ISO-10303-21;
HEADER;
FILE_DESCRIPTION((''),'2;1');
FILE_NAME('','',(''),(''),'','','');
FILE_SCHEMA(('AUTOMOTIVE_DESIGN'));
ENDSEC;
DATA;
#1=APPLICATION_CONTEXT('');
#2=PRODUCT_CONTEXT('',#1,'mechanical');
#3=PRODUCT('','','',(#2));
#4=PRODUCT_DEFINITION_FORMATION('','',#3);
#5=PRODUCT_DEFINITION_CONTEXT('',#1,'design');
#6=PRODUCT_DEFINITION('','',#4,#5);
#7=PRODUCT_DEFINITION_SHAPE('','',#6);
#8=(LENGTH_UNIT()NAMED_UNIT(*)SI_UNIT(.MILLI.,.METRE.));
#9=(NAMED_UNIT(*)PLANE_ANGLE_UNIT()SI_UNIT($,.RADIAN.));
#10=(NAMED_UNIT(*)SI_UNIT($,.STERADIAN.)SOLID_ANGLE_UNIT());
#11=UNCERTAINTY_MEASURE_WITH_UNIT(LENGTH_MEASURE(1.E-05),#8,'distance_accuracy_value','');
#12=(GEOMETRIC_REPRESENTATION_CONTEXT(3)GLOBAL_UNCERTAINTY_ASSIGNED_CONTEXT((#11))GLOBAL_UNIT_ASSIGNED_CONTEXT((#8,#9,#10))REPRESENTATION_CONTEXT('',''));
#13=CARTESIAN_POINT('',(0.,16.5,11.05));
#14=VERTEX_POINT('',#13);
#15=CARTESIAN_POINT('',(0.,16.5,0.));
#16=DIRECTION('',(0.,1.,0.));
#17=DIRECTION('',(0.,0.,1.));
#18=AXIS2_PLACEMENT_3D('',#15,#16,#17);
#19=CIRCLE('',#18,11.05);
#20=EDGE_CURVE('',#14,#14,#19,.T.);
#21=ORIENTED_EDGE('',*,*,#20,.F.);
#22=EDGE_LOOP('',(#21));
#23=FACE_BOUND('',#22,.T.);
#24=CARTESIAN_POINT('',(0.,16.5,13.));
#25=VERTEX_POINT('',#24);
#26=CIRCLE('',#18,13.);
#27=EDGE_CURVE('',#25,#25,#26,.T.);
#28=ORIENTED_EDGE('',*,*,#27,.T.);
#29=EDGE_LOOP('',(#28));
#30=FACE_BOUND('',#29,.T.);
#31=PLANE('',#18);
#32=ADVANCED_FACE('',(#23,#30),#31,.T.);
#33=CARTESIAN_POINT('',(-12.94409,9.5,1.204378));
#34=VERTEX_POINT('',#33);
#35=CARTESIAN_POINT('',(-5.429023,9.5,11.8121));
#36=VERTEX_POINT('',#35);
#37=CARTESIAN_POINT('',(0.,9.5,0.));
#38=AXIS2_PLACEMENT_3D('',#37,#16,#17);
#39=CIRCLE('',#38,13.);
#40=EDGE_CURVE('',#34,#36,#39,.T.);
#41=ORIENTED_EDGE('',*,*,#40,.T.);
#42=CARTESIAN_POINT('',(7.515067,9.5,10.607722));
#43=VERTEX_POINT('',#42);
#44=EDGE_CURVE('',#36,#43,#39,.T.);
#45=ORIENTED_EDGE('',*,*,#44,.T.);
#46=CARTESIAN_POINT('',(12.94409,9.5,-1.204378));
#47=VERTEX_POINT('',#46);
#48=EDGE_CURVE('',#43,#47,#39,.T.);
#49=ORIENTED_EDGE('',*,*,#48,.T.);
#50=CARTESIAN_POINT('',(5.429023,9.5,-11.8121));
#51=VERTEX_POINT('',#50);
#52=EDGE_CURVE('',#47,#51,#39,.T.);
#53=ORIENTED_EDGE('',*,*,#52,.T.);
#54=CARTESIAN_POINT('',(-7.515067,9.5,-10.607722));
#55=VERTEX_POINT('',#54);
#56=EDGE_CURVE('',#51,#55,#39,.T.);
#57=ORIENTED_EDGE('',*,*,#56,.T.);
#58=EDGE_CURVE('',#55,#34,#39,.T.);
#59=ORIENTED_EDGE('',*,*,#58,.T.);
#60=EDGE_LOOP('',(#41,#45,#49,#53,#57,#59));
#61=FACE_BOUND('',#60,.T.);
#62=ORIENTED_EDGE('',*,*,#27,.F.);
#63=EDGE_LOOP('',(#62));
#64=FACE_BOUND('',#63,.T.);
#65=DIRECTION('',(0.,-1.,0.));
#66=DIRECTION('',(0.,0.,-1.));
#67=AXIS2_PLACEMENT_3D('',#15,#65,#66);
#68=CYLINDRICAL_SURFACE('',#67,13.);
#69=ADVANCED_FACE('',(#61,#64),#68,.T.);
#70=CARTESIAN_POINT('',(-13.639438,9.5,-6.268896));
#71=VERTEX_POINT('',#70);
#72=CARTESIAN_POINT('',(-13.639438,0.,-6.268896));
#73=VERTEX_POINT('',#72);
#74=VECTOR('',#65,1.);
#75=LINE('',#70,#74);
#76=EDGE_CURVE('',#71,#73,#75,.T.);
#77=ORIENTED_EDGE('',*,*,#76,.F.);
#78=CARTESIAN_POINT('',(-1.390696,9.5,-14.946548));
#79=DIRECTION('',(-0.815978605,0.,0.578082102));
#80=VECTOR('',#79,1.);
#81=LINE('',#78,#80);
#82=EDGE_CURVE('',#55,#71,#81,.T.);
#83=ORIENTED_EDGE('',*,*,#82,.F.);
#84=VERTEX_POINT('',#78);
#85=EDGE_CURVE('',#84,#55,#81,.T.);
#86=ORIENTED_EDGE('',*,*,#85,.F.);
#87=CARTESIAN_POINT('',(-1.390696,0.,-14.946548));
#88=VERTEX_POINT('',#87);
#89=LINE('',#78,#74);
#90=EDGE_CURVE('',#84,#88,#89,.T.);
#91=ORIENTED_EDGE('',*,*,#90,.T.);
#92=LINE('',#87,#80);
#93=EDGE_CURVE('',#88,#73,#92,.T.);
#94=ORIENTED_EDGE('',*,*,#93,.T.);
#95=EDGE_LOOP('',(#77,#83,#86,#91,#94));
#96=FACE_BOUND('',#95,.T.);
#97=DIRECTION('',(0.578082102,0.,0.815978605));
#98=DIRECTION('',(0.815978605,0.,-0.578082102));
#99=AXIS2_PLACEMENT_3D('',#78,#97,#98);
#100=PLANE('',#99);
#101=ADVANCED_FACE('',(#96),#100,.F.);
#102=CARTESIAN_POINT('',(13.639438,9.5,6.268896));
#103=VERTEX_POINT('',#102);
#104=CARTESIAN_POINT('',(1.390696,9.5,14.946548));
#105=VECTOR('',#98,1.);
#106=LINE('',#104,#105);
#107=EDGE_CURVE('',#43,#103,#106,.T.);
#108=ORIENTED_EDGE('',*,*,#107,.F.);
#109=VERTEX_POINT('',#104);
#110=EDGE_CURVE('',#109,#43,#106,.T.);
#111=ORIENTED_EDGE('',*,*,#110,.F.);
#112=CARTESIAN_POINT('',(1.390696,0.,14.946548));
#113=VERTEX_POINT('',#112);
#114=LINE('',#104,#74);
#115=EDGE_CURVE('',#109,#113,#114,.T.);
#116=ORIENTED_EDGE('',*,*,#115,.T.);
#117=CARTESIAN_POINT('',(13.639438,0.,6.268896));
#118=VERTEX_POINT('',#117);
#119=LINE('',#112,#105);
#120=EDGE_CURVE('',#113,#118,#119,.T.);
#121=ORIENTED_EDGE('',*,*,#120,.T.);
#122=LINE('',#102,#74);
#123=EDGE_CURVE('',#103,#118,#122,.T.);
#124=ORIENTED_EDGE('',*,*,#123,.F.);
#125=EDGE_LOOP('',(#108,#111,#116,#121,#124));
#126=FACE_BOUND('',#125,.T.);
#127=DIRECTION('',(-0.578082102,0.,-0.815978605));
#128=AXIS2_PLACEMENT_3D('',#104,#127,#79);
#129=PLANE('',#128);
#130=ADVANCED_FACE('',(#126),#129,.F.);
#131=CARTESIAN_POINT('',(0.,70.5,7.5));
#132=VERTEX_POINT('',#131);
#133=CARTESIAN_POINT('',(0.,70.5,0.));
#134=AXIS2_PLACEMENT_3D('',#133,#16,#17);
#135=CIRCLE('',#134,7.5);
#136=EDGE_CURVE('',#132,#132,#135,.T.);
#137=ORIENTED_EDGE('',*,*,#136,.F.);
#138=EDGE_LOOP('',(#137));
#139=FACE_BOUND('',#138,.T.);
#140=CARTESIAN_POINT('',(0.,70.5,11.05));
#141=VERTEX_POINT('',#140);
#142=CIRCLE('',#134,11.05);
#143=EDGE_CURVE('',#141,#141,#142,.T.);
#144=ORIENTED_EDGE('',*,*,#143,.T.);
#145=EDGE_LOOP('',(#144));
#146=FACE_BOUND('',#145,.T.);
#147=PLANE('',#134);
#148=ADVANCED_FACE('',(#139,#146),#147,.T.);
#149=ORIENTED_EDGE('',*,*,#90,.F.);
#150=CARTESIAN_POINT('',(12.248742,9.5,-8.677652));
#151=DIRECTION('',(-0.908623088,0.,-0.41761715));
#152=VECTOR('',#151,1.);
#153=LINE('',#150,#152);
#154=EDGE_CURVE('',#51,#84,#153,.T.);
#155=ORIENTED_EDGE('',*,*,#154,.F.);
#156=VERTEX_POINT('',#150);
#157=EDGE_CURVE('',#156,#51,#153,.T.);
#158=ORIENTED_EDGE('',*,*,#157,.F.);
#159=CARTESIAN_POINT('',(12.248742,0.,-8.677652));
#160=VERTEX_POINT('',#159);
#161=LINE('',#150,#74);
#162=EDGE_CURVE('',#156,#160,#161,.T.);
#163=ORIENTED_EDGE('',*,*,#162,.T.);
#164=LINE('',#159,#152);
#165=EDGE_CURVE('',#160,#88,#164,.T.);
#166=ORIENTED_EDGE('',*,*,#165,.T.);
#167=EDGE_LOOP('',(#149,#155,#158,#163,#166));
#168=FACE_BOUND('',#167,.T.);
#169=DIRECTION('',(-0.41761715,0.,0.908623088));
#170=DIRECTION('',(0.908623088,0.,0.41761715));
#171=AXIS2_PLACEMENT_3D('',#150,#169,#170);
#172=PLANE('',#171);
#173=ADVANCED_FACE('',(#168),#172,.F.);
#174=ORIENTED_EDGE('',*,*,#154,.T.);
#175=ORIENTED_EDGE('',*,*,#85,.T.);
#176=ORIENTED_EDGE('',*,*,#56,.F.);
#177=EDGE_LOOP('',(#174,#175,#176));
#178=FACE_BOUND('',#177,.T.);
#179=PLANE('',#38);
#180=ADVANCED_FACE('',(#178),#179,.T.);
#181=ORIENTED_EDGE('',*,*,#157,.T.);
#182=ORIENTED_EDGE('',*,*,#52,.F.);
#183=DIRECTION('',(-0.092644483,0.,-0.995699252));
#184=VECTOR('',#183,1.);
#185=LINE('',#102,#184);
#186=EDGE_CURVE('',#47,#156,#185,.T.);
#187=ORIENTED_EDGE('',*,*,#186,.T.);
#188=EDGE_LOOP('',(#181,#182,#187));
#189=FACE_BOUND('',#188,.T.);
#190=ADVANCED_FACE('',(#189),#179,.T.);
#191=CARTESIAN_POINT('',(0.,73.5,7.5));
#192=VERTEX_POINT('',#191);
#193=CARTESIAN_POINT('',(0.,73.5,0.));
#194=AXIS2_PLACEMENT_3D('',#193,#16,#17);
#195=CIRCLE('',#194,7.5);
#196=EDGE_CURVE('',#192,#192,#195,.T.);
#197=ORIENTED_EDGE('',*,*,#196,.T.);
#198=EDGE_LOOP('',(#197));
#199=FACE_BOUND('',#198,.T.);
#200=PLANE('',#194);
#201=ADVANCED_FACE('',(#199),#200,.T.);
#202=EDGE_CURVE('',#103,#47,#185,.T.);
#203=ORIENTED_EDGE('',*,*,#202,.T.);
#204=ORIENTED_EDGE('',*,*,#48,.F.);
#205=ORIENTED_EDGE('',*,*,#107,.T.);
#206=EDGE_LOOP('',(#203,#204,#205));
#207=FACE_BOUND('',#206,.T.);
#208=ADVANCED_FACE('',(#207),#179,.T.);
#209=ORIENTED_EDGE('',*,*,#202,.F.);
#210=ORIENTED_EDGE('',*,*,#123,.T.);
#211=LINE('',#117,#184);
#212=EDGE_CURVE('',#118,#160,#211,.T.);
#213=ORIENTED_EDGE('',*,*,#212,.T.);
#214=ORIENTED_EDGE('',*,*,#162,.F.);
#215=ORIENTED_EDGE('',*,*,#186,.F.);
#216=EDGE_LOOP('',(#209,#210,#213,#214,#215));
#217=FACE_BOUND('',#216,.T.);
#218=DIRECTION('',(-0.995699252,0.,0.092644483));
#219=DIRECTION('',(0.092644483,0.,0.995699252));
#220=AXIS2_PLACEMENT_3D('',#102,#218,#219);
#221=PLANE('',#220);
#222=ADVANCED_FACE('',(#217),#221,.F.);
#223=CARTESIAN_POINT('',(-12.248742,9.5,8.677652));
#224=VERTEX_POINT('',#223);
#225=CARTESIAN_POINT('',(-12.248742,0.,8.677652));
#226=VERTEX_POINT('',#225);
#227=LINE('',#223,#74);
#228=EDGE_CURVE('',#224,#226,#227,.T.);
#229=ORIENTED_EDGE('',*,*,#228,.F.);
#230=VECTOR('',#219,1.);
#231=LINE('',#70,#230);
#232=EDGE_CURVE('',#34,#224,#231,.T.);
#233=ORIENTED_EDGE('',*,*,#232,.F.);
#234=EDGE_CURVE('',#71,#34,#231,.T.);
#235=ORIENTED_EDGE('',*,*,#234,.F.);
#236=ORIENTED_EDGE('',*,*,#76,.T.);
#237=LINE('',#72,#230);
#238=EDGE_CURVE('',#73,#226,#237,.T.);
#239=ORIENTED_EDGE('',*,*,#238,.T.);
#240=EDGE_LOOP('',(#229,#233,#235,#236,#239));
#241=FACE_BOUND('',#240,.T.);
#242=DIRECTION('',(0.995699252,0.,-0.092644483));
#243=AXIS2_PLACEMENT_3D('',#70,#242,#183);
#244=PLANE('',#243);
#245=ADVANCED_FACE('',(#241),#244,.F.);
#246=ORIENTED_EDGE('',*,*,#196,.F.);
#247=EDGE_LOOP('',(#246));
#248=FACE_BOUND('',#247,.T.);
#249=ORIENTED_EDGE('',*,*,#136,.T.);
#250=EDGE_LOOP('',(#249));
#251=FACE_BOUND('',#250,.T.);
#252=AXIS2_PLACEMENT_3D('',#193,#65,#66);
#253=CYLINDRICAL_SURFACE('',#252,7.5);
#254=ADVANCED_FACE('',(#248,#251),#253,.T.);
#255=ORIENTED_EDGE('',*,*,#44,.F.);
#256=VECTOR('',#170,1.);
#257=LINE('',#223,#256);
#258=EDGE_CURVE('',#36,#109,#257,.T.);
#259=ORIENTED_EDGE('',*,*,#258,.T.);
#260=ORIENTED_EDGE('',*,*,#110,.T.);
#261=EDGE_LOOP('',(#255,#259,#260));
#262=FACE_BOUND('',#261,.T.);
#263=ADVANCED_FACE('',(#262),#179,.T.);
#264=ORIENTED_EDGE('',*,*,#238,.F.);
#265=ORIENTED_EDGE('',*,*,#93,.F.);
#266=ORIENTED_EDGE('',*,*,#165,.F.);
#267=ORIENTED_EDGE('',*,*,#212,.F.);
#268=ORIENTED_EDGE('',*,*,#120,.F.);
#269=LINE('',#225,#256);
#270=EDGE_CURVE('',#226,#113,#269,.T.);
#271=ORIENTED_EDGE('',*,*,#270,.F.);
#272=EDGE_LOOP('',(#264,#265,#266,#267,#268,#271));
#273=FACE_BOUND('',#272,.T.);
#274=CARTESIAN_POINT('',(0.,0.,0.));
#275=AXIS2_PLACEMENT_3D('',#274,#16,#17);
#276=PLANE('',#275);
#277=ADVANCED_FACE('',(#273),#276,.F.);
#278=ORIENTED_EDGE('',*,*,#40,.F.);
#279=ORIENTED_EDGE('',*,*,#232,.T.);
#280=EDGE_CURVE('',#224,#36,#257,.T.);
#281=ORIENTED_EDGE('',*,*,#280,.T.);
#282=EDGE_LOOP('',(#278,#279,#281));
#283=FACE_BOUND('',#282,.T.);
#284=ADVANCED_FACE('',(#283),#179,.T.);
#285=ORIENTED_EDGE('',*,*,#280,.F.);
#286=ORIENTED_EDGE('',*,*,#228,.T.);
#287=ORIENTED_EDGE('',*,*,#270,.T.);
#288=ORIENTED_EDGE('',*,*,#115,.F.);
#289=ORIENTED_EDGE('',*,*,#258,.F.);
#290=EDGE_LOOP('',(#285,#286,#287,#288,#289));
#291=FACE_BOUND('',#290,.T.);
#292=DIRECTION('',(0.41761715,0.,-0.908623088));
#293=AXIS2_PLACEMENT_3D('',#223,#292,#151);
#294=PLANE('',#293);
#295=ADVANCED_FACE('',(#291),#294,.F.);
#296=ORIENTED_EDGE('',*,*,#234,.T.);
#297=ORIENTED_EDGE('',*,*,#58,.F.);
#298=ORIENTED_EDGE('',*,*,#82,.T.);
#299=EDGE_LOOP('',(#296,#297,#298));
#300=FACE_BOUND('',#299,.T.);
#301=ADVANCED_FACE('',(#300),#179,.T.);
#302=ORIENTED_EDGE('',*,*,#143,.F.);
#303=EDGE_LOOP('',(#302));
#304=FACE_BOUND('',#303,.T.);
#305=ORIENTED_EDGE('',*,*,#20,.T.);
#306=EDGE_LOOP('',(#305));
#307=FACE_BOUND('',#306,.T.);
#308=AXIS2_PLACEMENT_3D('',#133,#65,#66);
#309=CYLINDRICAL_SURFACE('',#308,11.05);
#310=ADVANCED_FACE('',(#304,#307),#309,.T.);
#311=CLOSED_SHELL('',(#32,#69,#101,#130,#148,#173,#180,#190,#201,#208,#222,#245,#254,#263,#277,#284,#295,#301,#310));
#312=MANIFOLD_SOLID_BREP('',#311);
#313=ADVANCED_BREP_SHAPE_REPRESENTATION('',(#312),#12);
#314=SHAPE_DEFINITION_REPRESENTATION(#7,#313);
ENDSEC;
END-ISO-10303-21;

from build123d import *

# Parameters (mm, degrees)
EXTRUDE_1_DEPTH = 9.5
SKETCH_2_R      = 13
EXTRUDE_2_DEPTH = 7
SKETCH_3_R      = 11.05
EXTRUDE_3_DEPTH = 54
SKETCH_4_R      = 7.5
EXTRUDE_4_DEPTH = 3


with BuildPart() as part:
    # 草图1 → 凸台-拉伸1 (new body)
    with BuildSketch(Plane(origin=(0, 0, 0), x_dir=(1, 0, 0), z_dir=(0, 1, 0))):
        Polygon((13.639438395, -6.268895724), (12.248742148, 8.677652282), (-1.390696247, 14.946548006), (-13.639438395, 6.268895724), (-12.248742148, -8.677652282), (1.390696247, -14.946548006), align=None)
    extrude(amount=EXTRUDE_1_DEPTH)

    # 草图2 → 凸台-拉伸2 (add)
    with BuildSketch(Plane(origin=(0, 9.5, 0), x_dir=(1, 0, 0), z_dir=(0, 1, 0))):
        with Locations(Location((0, 0, 0), (0, 0, 65.31576064))):
            Circle(SKETCH_2_R)
    extrude(amount=EXTRUDE_2_DEPTH)

    # 草图3 → 凸台-拉伸3 (add)
    with BuildSketch(Plane(origin=(0, 16.5, 0), x_dir=(1, 0, 0), z_dir=(0, 1, 0))):
        with Locations(Location((0, 0, 0), (0, 0, 270))):
            Circle(SKETCH_3_R)
    extrude(amount=EXTRUDE_3_DEPTH)

    # 草图4 → 凸台-拉伸4 (add)
    with BuildSketch(Plane(origin=(0, 70.5, 0), x_dir=(1, 0, 0), z_dir=(0, 1, 0))):
        with Locations(Location((0, 0, 0), (0, 0, 270))):
            Circle(SKETCH_4_R)
    extrude(amount=EXTRUDE_4_DEPTH)


solid = part.part
